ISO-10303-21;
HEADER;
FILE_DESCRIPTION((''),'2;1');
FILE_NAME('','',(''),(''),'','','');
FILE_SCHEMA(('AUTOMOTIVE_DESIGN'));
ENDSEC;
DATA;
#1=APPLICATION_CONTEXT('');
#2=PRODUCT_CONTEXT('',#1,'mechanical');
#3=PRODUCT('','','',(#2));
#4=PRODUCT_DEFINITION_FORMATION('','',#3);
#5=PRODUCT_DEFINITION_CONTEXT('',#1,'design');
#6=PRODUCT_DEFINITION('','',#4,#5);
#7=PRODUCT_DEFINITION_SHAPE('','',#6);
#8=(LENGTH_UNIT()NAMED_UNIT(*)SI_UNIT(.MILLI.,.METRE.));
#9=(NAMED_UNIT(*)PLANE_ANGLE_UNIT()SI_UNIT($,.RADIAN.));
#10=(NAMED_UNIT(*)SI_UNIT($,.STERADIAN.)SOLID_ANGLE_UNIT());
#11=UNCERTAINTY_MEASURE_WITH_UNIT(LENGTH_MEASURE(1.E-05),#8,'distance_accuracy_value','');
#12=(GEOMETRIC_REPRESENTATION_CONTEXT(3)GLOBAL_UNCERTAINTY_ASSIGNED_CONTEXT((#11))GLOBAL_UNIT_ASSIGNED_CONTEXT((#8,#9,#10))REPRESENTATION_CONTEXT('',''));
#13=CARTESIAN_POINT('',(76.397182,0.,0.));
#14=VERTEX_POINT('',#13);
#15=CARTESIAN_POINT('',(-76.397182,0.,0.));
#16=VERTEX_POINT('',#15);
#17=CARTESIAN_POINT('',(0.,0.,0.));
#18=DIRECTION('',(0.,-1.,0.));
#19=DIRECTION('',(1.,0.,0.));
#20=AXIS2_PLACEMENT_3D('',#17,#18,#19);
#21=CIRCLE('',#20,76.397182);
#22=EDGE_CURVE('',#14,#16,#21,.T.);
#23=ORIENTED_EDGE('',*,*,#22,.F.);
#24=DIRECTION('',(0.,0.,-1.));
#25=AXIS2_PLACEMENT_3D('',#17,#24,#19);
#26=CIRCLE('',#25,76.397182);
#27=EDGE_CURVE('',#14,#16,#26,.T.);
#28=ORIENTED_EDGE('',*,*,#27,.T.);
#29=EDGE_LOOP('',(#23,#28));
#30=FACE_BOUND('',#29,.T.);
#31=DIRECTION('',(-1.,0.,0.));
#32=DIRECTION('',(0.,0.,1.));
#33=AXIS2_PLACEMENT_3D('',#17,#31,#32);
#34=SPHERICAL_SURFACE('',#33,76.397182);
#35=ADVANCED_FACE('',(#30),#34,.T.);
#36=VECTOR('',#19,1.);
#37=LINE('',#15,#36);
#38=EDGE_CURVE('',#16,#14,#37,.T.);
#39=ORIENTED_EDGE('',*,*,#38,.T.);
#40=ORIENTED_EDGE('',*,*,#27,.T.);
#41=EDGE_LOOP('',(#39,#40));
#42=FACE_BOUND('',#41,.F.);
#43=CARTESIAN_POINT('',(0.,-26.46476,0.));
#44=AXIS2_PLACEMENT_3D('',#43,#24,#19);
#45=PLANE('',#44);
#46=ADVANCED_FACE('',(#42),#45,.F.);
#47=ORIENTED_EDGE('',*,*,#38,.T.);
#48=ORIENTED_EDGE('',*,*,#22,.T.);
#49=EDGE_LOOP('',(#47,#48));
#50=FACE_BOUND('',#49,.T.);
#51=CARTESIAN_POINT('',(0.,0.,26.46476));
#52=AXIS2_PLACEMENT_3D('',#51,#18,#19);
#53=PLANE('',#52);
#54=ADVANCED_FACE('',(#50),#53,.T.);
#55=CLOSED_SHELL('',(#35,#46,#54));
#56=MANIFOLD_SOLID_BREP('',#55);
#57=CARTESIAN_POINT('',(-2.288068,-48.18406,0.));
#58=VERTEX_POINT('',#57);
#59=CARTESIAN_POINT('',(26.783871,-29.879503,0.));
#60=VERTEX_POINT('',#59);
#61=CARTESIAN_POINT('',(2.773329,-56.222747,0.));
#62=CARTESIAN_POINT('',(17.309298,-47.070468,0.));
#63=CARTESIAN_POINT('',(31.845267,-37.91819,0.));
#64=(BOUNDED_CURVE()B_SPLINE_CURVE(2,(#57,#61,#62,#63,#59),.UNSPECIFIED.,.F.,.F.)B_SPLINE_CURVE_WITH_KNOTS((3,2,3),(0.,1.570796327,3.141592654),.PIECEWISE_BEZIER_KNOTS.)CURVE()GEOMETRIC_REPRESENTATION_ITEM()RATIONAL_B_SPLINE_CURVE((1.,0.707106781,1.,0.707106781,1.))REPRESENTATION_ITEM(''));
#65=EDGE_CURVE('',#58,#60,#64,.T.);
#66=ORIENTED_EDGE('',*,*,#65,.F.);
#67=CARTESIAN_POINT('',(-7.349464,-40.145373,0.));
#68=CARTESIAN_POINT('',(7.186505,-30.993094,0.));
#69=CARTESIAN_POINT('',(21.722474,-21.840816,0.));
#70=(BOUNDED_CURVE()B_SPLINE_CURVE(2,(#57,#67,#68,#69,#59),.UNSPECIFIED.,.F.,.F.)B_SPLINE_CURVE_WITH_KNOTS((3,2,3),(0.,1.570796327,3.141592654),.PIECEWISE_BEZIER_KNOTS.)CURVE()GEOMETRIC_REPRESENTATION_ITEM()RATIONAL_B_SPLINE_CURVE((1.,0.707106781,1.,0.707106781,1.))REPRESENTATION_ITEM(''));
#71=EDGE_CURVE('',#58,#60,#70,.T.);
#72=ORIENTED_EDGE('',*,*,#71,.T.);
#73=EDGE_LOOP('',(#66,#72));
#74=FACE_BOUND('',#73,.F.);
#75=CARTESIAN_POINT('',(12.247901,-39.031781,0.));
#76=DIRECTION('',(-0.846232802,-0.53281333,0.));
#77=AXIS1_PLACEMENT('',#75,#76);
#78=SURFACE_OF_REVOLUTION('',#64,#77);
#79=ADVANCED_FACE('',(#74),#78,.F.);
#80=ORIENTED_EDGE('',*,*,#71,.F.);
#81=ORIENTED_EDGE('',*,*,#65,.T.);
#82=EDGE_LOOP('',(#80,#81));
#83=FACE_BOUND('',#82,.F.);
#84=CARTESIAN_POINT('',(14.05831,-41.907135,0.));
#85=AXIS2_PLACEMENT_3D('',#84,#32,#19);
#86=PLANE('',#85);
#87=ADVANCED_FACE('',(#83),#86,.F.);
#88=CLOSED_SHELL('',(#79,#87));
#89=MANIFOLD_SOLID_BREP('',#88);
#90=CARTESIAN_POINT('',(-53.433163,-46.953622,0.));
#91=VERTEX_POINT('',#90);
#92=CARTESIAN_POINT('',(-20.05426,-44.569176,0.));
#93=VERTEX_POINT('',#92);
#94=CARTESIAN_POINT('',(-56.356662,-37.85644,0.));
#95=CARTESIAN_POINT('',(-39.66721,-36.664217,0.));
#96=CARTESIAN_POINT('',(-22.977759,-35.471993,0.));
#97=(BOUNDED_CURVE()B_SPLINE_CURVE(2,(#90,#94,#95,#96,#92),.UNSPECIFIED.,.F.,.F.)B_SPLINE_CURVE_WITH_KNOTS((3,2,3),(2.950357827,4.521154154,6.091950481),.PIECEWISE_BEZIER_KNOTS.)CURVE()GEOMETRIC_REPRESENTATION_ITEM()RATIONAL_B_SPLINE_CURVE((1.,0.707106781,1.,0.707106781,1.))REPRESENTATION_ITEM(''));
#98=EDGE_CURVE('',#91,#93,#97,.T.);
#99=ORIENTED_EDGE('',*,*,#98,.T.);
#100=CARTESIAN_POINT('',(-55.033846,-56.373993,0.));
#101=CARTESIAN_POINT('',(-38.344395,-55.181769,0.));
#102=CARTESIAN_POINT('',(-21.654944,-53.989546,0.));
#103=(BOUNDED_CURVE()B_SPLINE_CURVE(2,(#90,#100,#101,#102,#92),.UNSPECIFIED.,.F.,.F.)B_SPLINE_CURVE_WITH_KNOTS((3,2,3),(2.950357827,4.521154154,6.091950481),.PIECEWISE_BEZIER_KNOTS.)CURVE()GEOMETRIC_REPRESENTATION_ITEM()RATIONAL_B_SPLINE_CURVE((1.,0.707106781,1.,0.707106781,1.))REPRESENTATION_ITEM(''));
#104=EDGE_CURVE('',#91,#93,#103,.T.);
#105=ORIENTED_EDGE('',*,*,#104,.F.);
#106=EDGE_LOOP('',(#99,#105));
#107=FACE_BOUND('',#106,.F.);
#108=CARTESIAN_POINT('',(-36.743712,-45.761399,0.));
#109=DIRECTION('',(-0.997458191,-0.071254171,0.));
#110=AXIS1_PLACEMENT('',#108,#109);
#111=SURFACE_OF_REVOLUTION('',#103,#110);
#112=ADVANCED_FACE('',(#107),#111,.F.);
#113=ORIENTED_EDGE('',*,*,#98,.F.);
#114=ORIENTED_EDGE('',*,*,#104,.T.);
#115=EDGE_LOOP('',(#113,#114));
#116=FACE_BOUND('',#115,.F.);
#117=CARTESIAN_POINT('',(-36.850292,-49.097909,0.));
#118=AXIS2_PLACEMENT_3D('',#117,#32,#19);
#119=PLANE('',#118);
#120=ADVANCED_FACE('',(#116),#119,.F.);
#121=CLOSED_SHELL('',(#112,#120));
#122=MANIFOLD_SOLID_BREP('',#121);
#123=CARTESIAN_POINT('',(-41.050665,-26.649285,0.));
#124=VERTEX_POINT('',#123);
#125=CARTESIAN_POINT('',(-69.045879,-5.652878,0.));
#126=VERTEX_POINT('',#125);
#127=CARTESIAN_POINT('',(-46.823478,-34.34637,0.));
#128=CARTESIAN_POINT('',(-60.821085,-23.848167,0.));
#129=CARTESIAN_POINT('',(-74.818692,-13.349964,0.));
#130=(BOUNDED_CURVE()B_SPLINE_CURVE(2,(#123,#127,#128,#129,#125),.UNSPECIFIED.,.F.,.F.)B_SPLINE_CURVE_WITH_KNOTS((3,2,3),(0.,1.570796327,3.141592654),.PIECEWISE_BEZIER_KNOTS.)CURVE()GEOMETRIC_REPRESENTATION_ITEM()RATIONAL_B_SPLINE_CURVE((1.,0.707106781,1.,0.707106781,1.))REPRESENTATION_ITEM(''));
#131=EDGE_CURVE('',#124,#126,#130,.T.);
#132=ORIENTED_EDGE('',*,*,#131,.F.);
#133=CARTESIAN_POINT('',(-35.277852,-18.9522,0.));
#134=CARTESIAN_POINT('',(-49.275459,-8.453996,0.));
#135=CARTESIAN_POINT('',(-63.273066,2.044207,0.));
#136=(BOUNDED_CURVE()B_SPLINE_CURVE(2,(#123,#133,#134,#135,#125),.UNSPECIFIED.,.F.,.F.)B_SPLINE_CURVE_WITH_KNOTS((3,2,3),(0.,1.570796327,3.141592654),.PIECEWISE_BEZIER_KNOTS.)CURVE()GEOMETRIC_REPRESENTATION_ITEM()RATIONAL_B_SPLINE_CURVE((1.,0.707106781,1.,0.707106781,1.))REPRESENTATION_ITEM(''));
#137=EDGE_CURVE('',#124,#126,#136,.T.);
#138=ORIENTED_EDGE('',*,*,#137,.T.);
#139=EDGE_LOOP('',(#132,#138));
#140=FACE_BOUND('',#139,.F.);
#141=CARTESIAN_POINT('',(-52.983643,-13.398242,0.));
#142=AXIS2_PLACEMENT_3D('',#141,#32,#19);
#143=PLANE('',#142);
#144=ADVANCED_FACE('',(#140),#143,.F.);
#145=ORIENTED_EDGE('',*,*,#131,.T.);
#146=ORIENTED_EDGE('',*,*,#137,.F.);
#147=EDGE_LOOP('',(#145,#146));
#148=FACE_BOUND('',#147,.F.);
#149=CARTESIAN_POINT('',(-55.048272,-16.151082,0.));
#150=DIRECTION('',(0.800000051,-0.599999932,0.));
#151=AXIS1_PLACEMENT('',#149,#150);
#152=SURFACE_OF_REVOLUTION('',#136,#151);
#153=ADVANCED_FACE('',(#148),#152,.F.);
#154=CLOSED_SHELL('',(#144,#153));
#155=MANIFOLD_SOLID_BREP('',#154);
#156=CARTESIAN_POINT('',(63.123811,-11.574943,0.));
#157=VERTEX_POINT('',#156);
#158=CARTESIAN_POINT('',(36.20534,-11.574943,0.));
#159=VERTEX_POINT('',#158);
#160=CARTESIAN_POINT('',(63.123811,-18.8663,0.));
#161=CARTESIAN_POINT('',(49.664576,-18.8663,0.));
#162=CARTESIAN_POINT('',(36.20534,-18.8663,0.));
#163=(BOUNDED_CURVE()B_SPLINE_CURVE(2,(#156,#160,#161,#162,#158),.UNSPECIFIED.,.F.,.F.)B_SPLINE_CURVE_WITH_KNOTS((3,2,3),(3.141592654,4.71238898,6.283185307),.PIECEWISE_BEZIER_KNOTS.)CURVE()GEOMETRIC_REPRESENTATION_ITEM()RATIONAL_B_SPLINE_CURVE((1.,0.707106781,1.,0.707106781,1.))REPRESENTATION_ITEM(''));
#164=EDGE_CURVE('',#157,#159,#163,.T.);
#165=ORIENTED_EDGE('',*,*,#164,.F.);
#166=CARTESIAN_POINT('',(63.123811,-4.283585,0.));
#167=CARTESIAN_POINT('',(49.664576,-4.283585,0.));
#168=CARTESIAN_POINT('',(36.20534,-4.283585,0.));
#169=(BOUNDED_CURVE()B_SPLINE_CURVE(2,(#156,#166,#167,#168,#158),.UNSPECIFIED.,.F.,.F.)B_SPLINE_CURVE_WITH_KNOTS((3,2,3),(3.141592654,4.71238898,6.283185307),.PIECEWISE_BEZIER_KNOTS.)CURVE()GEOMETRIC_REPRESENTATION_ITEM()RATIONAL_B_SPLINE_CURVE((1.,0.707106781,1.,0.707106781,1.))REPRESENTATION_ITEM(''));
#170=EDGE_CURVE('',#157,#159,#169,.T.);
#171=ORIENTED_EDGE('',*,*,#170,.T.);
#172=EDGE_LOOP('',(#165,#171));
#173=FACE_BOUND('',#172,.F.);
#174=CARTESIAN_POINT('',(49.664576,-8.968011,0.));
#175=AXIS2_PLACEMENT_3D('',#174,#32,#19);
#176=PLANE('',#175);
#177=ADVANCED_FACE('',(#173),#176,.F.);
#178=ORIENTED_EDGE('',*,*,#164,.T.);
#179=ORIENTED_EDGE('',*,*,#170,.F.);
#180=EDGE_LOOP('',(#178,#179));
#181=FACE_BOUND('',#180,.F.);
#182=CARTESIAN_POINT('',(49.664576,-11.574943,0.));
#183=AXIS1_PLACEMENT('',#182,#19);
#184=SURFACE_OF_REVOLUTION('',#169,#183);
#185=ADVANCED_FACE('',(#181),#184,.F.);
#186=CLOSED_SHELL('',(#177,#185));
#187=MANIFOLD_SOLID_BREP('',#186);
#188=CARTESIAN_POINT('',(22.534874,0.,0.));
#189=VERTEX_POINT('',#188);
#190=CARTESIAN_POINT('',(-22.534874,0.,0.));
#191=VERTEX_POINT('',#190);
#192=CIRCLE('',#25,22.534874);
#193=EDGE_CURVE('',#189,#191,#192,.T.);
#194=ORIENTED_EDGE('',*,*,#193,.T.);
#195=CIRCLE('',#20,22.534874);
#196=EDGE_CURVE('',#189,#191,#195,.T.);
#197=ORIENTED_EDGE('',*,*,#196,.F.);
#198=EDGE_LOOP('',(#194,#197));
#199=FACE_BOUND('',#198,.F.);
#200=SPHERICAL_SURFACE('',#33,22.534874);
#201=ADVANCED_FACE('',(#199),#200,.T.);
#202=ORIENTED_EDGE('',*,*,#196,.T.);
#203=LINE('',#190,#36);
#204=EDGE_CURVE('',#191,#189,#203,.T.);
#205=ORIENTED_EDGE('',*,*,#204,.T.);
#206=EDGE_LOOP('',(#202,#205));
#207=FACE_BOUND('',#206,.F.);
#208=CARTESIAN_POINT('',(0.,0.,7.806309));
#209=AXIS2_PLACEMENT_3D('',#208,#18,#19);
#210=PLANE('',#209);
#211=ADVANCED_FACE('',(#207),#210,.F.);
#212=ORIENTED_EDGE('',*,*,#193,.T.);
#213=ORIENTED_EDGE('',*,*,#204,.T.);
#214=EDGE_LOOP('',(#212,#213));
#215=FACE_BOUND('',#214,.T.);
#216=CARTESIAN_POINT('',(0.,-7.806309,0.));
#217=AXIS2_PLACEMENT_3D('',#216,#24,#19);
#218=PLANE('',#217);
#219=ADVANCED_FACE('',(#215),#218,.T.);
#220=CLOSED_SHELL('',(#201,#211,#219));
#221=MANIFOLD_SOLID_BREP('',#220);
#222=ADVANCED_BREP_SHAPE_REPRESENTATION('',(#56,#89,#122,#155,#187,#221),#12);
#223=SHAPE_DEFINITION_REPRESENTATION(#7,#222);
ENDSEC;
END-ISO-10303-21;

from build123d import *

# Parameters (mm, degrees)
F1_ANGLE = 270
F3_ANGLE = 90
F5_ANGLE = 180
F6_ANGLE = 180
F7_ANGLE = 180
F8_ANGLE = 180


with BuildPart() as f1:
    # F0 (on Front) → F1 (revolve)
    with BuildSketch(Plane.XZ):
        with BuildLine():
            Line((-76.3971819477, 0), (76.3971819477, 0))
            ThreePointArc((76.3971819477, 0), (0, 76.3971819477), (-76.3971819477, 0))
        make_face()
    revolve(axis=Axis((0, 0, 0), (-1, 0, 0)), revolution_arc=F1_ANGLE)


with BuildPart() as f3:
    # F2 (on face) → F3 (revolve)
    with BuildSketch(Plane.XZ):
        with BuildLine():
            Line((-22.5348739836, 0), (22.5348739836, 0))
            ThreePointArc((22.5348739836, 0), (0, 22.5348739836), (-22.5348739836, 0))
        make_face()
    revolve(axis=Axis((0, 0, 0), (1, 0, 0)), revolution_arc=F3_ANGLE)


with BuildPart() as f5:
    # F4 (on face) → F5 (revolve)
    with BuildSketch(Plane.XY):
        with BuildLine():
            Line((-69.0458789468, -5.6528784335), (-41.0506650805, -26.6492851079))
            add(Edge.make_bspline(
                [(-41.0506650805, -26.6492851079), (-35.2778521439, -18.9521998266), (-49.275459077, -8.4539964894), (-63.2730660101, 2.0442068477), (-69.0458789468, -5.6528784335)],
                knots=[0, 0, 0, 1.5707963268, 1.5707963268, 3.1415926536, 3.1415926536, 3.1415926536], degree=2, weights=[1, 0.7071067812, 1, 0.7071067812, 1]))
        make_face()
    revolve(axis=Axis((-55.0482720137, -16.1510817707, 0), (0.8000000511, -0.5999999319, 0)), revolution_arc=F5_ANGLE)


with BuildPart() as f6:
    # F4 (on face) → F6 (revolve)
    with BuildSketch(Plane.XY):
        with BuildLine():
            Line((-20.0542602688, -44.5691755388), (-53.4331630915, -46.9536224034))
            add(Edge.make_bspline(
                [(-53.4331630915, -46.9536224034), (-55.03384642, -56.3739927701), (-38.3443950087, -55.1817693378), (-21.6549435973, -53.9895459055), (-20.0542602688, -44.5691755388)],
                knots=[2.9503578275, 2.9503578275, 2.9503578275, 4.5211541543, 4.5211541543, 6.0919504811, 6.0919504811, 6.0919504811], degree=2, weights=[1, 0.7071067812, 1, 0.7071067812, 1]))
        make_face()
    revolve(axis=Axis((-36.7437116802, -45.7613989711, 0), (-0.9974581911, -0.0712541712, 0)), revolution_arc=F6_ANGLE)


with BuildPart() as f7:
    # F4 (on face) → F7 (revolve)
    with BuildSketch(Plane.XY):
        with BuildLine():
            Line((26.7838705331, -29.8795029521), (-2.2880677134, -48.1840595603))
            add(Edge.make_bspline(
                [(-2.2880677134, -48.1840595603), (2.7733286279, -56.2227465946), (17.3092977511, -47.0704682905), (31.8452668744, -37.9181899864), (26.7838705331, -29.8795029521)],
                knots=[0, 0, 0, 1.5707963268, 1.5707963268, 3.1415926536, 3.1415926536, 3.1415926536], degree=2, weights=[1, 0.7071067812, 1, 0.7071067812, 1]))
        make_face()
    revolve(axis=Axis((12.2479014099, -39.0317812562, 0), (-0.8462328021, -0.5328133301, 0)), revolution_arc=F7_ANGLE)


with BuildPart() as f8:
    # F4 (on face) → F8 (revolve)
    with BuildSketch(Plane.XY):
        with BuildLine():
            Line((36.2053401768, -11.5749426186), (63.1238110363, -11.5749426186))
            add(Edge.make_bspline(
                [(63.1238110363, -11.5749426186), (63.1238110363, -4.2835854489), (49.6645756066, -4.2835854489), (36.2053401768, -4.2835854489), (36.2053401768, -11.5749426186)],
                knots=[3.1415926536, 3.1415926536, 3.1415926536, 4.7123889804, 4.7123889804, 6.2831853072, 6.2831853072, 6.2831853072], degree=2, weights=[1, 0.7071067812, 1, 0.7071067812, 1]))
        make_face()
    revolve(axis=Axis((49.6645756066, -11.5749426186, 0), (1, 0, 0)), revolution_arc=F8_ANGLE)


solid = Compound([f1.part, f3.part, f5.part, f6.part, f7.part, f8.part])
